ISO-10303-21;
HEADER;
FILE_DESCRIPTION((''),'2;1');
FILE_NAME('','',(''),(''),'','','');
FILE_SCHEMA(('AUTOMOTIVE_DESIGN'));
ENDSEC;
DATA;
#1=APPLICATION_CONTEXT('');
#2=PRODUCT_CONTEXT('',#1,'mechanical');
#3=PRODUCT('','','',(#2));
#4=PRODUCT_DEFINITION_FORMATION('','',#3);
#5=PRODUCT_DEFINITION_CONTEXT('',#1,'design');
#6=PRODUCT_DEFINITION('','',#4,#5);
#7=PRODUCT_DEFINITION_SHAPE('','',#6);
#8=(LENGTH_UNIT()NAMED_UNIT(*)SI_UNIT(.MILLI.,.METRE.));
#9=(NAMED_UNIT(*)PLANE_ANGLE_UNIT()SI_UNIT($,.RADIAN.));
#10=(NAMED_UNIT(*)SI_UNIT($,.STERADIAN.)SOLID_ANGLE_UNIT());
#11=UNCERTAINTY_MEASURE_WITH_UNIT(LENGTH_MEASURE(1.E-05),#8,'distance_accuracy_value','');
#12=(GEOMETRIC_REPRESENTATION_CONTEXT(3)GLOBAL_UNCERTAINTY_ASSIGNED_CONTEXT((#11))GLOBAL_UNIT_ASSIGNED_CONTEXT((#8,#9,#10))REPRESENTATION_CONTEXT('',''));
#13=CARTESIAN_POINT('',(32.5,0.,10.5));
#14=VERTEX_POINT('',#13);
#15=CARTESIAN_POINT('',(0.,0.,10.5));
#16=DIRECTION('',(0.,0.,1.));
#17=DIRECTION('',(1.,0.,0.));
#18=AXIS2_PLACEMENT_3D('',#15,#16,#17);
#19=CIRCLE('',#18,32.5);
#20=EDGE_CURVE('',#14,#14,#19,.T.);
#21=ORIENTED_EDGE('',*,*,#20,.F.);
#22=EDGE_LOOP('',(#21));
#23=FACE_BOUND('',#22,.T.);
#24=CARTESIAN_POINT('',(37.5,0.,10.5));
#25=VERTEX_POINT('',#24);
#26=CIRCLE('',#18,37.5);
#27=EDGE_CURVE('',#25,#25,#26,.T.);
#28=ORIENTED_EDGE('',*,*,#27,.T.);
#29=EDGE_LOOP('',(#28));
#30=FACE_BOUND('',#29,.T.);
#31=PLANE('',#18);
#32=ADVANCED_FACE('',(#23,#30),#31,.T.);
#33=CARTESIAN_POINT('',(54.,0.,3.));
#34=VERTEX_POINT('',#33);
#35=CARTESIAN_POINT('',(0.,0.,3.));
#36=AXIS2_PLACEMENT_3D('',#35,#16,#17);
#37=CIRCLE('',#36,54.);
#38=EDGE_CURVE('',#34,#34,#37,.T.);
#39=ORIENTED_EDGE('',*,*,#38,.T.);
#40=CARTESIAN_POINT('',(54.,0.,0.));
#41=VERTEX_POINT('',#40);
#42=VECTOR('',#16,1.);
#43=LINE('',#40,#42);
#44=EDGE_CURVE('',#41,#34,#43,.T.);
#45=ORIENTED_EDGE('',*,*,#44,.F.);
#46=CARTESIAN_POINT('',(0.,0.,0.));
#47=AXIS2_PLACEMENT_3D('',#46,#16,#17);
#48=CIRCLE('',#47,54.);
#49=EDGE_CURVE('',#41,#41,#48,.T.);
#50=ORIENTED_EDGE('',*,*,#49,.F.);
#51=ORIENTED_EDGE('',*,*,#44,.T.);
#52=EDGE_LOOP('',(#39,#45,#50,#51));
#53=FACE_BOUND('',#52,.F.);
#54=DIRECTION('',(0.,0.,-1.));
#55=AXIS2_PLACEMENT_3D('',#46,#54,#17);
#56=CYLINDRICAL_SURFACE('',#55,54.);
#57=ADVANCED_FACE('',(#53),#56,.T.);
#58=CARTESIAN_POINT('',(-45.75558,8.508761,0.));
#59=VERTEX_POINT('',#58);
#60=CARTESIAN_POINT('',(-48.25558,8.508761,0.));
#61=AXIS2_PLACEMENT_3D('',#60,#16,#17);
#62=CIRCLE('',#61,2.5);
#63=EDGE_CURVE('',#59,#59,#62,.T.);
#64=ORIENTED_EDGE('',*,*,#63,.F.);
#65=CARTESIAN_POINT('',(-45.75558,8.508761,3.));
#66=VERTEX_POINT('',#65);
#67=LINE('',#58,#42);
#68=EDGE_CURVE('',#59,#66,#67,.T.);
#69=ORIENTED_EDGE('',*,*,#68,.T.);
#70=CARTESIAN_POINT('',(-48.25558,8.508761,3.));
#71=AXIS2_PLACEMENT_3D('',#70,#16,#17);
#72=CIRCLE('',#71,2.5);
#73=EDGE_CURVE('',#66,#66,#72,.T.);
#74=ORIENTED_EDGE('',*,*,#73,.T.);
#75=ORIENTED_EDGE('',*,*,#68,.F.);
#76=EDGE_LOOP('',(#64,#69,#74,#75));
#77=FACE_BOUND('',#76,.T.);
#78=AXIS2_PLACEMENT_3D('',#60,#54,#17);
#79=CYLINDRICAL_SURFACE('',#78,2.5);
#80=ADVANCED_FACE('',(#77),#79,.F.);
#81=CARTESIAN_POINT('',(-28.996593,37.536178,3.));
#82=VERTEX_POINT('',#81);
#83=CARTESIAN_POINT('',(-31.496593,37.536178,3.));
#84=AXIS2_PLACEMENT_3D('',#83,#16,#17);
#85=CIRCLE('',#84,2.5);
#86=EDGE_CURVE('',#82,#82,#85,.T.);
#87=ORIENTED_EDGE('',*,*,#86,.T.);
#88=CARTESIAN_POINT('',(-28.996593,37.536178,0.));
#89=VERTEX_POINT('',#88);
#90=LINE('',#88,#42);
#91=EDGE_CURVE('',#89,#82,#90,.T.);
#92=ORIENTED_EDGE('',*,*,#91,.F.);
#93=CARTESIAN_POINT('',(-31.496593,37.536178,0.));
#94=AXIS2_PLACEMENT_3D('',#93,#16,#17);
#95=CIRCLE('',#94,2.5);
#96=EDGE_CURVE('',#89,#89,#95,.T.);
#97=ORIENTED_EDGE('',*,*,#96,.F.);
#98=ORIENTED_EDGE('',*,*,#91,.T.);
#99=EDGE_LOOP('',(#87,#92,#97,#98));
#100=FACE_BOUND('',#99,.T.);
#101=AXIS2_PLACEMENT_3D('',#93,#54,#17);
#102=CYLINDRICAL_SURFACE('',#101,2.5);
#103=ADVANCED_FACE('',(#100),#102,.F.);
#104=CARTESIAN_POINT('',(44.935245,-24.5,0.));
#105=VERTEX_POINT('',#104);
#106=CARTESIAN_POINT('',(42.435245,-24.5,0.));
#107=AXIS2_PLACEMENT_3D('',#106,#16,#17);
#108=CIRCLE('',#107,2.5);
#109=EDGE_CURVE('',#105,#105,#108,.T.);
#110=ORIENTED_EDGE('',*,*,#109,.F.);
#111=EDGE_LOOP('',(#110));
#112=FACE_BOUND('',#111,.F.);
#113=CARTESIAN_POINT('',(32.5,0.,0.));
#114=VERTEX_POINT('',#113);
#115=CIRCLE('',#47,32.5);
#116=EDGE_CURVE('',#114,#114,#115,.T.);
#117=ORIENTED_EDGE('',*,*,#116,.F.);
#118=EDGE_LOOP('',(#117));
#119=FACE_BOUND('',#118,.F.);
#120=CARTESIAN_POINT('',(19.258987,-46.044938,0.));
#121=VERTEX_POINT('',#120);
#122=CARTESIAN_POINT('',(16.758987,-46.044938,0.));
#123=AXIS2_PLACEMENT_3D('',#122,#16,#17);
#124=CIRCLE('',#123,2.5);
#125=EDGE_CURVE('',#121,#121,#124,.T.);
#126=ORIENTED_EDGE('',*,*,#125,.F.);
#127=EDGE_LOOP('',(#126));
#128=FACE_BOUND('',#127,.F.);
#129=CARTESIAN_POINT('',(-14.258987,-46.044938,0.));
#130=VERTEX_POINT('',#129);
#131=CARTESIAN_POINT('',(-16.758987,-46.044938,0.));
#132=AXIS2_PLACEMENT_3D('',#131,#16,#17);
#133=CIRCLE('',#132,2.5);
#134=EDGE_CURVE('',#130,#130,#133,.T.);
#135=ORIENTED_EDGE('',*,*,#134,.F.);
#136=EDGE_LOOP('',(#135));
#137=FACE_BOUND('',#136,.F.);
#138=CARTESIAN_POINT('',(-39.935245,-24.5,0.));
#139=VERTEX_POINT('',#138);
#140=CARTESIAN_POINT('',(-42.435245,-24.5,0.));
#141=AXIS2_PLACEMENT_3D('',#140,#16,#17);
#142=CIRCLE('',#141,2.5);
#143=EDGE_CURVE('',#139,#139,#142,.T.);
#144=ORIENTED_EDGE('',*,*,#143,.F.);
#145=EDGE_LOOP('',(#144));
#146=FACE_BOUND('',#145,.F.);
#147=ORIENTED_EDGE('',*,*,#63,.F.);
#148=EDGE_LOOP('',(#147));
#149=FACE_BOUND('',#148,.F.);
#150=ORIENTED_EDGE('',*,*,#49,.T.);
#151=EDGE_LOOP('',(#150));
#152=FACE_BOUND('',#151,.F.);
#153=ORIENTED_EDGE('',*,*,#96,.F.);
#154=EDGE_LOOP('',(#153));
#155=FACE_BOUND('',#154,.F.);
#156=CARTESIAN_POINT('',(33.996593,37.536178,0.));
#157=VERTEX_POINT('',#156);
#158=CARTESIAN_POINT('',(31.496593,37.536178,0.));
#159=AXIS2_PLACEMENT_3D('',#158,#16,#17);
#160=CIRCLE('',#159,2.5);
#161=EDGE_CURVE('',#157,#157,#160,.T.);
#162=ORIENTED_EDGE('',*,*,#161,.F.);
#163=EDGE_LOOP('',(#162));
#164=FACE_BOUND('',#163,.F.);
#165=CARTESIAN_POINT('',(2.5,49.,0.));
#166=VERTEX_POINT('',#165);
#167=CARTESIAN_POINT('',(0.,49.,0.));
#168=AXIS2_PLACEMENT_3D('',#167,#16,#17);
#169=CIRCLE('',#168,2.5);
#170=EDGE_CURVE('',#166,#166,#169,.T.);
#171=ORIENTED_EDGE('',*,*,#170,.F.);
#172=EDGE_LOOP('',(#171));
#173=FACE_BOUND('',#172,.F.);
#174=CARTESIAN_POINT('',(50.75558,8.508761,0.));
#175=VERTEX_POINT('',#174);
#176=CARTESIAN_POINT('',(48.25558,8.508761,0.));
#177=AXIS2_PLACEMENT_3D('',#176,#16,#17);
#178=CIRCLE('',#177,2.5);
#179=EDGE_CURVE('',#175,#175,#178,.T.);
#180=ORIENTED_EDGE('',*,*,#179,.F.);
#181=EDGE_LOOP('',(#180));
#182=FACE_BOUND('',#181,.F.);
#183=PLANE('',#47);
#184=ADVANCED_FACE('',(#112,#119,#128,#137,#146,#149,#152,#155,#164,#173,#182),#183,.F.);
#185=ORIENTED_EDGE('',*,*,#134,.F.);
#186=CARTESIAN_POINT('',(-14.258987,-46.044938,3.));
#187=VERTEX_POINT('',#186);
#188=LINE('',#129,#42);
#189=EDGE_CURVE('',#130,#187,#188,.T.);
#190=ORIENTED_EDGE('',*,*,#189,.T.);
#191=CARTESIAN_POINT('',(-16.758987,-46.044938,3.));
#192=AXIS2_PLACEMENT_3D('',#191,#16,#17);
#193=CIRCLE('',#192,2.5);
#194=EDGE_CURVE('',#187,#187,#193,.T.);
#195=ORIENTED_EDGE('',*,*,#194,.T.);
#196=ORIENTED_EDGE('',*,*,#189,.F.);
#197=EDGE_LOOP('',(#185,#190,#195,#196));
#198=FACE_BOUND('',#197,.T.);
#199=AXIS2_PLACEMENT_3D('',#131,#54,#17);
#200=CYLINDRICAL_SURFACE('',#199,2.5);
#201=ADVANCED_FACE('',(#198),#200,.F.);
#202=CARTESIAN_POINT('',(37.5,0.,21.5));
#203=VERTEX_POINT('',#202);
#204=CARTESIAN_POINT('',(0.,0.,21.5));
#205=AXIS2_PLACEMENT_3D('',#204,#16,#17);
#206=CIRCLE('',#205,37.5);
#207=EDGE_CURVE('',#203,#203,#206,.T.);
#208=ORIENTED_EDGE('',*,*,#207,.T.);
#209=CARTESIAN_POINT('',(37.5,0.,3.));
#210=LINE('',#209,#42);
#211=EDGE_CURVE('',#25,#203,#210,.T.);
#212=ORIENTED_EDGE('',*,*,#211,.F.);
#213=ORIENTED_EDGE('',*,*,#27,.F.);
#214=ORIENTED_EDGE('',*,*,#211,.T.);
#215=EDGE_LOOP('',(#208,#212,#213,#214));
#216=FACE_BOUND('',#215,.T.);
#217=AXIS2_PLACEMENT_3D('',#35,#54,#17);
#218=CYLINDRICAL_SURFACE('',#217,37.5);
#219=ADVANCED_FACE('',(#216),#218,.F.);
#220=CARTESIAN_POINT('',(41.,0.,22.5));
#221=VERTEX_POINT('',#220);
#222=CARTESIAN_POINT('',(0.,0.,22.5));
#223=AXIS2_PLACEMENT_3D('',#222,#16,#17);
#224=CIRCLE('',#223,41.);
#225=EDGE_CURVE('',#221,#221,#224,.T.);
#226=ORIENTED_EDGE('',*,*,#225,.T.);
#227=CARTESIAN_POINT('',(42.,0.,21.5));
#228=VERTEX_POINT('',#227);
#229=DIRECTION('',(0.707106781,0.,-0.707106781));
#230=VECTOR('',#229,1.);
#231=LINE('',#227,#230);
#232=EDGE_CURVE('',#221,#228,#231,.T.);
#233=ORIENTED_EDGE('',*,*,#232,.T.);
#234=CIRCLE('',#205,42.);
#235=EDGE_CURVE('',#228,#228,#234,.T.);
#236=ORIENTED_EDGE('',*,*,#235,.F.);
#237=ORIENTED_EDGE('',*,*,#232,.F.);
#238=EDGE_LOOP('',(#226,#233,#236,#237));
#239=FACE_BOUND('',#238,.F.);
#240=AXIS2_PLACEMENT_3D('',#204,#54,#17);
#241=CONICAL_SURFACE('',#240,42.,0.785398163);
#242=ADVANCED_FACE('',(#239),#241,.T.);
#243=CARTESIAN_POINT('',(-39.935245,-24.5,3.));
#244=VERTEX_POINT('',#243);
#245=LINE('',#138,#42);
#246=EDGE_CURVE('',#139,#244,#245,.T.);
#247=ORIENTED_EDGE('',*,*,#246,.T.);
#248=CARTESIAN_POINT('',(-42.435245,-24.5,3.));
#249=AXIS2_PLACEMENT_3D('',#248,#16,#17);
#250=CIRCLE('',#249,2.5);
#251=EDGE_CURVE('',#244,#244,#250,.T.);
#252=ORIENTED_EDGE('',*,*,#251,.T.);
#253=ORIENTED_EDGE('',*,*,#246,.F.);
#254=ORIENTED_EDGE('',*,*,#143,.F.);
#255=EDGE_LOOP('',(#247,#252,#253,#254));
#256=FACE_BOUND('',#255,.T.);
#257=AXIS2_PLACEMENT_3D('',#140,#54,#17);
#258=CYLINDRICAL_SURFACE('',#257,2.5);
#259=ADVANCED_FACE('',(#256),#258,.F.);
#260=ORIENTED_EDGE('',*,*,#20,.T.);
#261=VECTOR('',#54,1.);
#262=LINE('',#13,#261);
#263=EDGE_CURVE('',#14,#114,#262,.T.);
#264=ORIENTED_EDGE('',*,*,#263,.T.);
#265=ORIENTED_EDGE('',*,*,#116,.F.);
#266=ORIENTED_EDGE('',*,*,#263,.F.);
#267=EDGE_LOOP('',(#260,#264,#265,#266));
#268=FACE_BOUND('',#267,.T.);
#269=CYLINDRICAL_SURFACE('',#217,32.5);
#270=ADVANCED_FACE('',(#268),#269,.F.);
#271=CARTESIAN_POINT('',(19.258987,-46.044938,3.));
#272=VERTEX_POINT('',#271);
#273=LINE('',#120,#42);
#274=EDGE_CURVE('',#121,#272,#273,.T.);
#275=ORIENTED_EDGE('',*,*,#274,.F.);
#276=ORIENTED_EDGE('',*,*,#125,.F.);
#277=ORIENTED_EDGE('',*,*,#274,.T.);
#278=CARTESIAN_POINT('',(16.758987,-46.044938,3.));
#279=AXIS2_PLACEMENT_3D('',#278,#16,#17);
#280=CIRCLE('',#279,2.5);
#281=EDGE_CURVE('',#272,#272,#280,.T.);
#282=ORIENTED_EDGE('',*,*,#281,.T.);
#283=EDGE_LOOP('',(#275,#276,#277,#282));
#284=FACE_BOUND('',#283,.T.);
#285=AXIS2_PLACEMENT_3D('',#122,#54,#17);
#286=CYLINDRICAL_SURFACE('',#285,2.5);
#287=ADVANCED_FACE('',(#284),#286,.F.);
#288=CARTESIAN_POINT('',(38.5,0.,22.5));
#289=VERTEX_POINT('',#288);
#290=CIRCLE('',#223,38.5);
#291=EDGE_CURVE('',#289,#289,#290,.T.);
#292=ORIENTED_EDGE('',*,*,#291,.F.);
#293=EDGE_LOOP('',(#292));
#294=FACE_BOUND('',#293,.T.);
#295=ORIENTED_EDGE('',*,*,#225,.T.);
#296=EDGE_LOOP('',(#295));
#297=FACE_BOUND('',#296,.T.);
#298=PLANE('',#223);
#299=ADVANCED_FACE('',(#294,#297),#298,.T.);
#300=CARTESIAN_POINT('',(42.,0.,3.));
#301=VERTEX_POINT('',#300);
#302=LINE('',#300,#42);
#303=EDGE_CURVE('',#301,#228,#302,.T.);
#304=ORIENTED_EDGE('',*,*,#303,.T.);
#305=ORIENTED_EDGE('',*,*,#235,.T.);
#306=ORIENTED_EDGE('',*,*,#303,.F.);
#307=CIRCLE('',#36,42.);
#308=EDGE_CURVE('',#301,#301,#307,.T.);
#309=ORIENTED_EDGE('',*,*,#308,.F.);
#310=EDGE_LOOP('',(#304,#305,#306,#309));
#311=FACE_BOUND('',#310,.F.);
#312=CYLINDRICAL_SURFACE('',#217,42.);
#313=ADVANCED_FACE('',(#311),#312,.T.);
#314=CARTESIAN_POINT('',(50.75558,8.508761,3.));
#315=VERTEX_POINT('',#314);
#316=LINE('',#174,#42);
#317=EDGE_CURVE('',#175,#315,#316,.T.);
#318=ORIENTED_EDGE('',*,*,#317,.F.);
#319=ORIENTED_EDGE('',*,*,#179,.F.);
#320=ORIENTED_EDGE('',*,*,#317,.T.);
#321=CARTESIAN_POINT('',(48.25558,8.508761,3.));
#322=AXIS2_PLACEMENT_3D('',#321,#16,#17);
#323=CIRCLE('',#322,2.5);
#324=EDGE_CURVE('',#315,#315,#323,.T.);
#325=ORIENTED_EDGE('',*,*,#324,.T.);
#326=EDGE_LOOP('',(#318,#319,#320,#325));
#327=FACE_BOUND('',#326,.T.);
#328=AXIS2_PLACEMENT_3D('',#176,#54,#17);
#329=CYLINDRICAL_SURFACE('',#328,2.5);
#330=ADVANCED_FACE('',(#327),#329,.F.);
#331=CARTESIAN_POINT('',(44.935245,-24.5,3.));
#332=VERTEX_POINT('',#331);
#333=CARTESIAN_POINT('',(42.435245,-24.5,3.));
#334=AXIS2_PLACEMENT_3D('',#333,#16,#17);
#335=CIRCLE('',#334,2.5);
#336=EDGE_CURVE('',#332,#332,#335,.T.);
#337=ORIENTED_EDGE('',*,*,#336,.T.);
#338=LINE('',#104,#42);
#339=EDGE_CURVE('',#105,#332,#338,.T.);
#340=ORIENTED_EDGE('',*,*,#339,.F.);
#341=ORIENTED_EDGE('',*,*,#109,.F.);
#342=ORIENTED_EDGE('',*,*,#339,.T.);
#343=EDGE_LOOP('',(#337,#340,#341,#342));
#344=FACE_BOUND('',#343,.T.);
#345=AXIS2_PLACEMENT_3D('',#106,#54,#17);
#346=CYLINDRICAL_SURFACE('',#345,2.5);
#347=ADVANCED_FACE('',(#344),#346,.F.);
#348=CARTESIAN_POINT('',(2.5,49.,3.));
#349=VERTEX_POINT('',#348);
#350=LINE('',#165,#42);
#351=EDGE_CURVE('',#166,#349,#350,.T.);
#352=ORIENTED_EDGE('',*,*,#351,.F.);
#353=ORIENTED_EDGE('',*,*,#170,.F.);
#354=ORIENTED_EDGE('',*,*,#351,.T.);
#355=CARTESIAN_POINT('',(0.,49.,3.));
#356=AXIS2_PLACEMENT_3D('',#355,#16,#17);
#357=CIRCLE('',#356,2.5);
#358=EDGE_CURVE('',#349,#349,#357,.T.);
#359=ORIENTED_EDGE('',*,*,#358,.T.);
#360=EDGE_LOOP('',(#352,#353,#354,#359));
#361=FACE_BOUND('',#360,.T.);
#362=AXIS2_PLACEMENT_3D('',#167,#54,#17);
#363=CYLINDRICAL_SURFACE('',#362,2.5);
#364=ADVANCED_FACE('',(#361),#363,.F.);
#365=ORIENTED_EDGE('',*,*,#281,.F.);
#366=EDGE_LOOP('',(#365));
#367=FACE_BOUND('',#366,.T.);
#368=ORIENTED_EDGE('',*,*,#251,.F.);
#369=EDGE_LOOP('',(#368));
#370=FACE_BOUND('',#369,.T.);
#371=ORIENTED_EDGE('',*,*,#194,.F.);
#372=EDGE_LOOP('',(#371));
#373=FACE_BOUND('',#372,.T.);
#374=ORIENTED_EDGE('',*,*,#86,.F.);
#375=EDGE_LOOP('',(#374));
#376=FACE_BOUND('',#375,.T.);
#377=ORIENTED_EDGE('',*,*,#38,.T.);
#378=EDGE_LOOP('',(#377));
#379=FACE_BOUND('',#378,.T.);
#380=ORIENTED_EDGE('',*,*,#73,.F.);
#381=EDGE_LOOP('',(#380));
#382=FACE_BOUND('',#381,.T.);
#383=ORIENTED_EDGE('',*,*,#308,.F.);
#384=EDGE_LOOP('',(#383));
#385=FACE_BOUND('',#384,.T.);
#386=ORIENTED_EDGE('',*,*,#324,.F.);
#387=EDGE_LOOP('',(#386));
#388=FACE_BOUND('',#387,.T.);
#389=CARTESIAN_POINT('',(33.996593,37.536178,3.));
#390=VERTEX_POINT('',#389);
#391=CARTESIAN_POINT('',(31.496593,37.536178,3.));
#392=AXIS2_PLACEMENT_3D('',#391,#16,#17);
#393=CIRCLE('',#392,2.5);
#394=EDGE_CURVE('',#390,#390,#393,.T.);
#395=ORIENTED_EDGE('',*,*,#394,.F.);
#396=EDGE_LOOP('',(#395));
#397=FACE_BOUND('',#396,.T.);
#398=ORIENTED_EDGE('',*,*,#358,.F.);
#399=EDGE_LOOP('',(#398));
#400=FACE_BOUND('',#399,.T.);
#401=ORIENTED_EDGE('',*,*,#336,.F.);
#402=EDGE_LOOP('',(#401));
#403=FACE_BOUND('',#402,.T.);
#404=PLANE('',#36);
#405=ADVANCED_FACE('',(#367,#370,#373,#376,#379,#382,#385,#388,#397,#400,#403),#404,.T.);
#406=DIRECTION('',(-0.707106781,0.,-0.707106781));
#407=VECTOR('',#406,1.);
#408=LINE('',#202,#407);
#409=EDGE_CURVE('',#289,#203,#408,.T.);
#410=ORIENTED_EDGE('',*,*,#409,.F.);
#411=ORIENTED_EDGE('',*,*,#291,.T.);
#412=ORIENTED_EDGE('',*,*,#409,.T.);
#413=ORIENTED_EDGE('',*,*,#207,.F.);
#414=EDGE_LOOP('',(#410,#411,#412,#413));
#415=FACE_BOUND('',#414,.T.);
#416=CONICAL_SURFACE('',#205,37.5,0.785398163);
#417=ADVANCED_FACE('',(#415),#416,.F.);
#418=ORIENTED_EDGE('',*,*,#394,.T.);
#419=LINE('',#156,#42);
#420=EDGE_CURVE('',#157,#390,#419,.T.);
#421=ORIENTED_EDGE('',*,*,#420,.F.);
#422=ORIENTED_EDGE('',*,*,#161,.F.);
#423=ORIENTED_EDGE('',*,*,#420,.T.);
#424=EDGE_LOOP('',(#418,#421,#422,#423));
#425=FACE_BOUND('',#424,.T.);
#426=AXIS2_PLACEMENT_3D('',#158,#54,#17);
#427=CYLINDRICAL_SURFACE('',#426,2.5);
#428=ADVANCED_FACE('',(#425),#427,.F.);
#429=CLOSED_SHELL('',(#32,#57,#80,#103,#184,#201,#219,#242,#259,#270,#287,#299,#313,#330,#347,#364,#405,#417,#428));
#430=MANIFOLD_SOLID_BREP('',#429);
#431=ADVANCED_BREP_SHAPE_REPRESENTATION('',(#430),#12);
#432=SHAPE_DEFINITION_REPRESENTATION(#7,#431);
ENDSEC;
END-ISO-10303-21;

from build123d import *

# Parameters (mm, degrees)
SKETCH_R        = 54
SKETCH_R_2      = 32.5
SKETCH_R_3      = 2.5
PAD_DEPTH       = 3
SKETCH002_R     = 42
SKETCH002_R_2   = 37.5
PAD002_DEPTH    = 19.5
SKETCH003_R     = 37.5
SKETCH003_R_2   = 32.5
PAD003_DEPTH    = 7.5
CHAMFER_SIZE    = 1
CHAMFER001_SIZE = 1


with BuildPart() as part:
    # Sketch → Pad (new body)
    with BuildSketch(Plane.XY):
        Circle(SKETCH_R)
        Circle(SKETCH_R_2, mode=Mode.SUBTRACT)
        with Locations((0, 49)):
            Circle(SKETCH_R_3, mode=Mode.SUBTRACT)
        with Locations((48.25558, 8.508761)):
            Circle(SKETCH_R_3, mode=Mode.SUBTRACT)
        with Locations((42.435245, -24.5)):
            Circle(SKETCH_R_3, mode=Mode.SUBTRACT)
        with Locations((16.758987, -46.044938)):
            Circle(SKETCH_R_3, mode=Mode.SUBTRACT)
        with Locations((-16.758987, -46.044938)):
            Circle(SKETCH_R_3, mode=Mode.SUBTRACT)
        with Locations((-42.435245, -24.5)):
            Circle(SKETCH_R_3, mode=Mode.SUBTRACT)
        with Locations((-48.25558, 8.508761)):
            Circle(SKETCH_R_3, mode=Mode.SUBTRACT)
        with Locations((-31.496593, 37.536178)):
            Circle(SKETCH_R_3, mode=Mode.SUBTRACT)
        with Locations((31.496593, 37.536178)):
            Circle(SKETCH_R_3, mode=Mode.SUBTRACT)
    extrude(amount=PAD_DEPTH)

    # Sketch002 → Pad002 (join)
    with BuildSketch(Plane.XY.offset(3)):
        Circle(SKETCH002_R)
        Circle(SKETCH002_R_2, mode=Mode.SUBTRACT)
    extrude(amount=PAD002_DEPTH)

    # Sketch003 (on Face15 of Pad002) → Pad003 (join)
    with BuildSketch(Plane.XY.offset(3)):
        Circle(SKETCH003_R)
        Circle(SKETCH003_R_2, mode=Mode.SUBTRACT)
    extrude(amount=PAD003_DEPTH)

    # Chamfer
    chamfer_edges = [part.edges().sort_by_distance(p)[0] for p in [
        (-37.5, 0, 22.5),
    ]]
    chamfer(chamfer_edges, length=CHAMFER_SIZE)

    # Chamfer001
    chamfer001_edges = [part.edges().sort_by_distance(p)[0] for p in [
        (-42, 0, 22.5),
    ]]
    chamfer(chamfer001_edges, length=CHAMFER001_SIZE)


solid = part.part
